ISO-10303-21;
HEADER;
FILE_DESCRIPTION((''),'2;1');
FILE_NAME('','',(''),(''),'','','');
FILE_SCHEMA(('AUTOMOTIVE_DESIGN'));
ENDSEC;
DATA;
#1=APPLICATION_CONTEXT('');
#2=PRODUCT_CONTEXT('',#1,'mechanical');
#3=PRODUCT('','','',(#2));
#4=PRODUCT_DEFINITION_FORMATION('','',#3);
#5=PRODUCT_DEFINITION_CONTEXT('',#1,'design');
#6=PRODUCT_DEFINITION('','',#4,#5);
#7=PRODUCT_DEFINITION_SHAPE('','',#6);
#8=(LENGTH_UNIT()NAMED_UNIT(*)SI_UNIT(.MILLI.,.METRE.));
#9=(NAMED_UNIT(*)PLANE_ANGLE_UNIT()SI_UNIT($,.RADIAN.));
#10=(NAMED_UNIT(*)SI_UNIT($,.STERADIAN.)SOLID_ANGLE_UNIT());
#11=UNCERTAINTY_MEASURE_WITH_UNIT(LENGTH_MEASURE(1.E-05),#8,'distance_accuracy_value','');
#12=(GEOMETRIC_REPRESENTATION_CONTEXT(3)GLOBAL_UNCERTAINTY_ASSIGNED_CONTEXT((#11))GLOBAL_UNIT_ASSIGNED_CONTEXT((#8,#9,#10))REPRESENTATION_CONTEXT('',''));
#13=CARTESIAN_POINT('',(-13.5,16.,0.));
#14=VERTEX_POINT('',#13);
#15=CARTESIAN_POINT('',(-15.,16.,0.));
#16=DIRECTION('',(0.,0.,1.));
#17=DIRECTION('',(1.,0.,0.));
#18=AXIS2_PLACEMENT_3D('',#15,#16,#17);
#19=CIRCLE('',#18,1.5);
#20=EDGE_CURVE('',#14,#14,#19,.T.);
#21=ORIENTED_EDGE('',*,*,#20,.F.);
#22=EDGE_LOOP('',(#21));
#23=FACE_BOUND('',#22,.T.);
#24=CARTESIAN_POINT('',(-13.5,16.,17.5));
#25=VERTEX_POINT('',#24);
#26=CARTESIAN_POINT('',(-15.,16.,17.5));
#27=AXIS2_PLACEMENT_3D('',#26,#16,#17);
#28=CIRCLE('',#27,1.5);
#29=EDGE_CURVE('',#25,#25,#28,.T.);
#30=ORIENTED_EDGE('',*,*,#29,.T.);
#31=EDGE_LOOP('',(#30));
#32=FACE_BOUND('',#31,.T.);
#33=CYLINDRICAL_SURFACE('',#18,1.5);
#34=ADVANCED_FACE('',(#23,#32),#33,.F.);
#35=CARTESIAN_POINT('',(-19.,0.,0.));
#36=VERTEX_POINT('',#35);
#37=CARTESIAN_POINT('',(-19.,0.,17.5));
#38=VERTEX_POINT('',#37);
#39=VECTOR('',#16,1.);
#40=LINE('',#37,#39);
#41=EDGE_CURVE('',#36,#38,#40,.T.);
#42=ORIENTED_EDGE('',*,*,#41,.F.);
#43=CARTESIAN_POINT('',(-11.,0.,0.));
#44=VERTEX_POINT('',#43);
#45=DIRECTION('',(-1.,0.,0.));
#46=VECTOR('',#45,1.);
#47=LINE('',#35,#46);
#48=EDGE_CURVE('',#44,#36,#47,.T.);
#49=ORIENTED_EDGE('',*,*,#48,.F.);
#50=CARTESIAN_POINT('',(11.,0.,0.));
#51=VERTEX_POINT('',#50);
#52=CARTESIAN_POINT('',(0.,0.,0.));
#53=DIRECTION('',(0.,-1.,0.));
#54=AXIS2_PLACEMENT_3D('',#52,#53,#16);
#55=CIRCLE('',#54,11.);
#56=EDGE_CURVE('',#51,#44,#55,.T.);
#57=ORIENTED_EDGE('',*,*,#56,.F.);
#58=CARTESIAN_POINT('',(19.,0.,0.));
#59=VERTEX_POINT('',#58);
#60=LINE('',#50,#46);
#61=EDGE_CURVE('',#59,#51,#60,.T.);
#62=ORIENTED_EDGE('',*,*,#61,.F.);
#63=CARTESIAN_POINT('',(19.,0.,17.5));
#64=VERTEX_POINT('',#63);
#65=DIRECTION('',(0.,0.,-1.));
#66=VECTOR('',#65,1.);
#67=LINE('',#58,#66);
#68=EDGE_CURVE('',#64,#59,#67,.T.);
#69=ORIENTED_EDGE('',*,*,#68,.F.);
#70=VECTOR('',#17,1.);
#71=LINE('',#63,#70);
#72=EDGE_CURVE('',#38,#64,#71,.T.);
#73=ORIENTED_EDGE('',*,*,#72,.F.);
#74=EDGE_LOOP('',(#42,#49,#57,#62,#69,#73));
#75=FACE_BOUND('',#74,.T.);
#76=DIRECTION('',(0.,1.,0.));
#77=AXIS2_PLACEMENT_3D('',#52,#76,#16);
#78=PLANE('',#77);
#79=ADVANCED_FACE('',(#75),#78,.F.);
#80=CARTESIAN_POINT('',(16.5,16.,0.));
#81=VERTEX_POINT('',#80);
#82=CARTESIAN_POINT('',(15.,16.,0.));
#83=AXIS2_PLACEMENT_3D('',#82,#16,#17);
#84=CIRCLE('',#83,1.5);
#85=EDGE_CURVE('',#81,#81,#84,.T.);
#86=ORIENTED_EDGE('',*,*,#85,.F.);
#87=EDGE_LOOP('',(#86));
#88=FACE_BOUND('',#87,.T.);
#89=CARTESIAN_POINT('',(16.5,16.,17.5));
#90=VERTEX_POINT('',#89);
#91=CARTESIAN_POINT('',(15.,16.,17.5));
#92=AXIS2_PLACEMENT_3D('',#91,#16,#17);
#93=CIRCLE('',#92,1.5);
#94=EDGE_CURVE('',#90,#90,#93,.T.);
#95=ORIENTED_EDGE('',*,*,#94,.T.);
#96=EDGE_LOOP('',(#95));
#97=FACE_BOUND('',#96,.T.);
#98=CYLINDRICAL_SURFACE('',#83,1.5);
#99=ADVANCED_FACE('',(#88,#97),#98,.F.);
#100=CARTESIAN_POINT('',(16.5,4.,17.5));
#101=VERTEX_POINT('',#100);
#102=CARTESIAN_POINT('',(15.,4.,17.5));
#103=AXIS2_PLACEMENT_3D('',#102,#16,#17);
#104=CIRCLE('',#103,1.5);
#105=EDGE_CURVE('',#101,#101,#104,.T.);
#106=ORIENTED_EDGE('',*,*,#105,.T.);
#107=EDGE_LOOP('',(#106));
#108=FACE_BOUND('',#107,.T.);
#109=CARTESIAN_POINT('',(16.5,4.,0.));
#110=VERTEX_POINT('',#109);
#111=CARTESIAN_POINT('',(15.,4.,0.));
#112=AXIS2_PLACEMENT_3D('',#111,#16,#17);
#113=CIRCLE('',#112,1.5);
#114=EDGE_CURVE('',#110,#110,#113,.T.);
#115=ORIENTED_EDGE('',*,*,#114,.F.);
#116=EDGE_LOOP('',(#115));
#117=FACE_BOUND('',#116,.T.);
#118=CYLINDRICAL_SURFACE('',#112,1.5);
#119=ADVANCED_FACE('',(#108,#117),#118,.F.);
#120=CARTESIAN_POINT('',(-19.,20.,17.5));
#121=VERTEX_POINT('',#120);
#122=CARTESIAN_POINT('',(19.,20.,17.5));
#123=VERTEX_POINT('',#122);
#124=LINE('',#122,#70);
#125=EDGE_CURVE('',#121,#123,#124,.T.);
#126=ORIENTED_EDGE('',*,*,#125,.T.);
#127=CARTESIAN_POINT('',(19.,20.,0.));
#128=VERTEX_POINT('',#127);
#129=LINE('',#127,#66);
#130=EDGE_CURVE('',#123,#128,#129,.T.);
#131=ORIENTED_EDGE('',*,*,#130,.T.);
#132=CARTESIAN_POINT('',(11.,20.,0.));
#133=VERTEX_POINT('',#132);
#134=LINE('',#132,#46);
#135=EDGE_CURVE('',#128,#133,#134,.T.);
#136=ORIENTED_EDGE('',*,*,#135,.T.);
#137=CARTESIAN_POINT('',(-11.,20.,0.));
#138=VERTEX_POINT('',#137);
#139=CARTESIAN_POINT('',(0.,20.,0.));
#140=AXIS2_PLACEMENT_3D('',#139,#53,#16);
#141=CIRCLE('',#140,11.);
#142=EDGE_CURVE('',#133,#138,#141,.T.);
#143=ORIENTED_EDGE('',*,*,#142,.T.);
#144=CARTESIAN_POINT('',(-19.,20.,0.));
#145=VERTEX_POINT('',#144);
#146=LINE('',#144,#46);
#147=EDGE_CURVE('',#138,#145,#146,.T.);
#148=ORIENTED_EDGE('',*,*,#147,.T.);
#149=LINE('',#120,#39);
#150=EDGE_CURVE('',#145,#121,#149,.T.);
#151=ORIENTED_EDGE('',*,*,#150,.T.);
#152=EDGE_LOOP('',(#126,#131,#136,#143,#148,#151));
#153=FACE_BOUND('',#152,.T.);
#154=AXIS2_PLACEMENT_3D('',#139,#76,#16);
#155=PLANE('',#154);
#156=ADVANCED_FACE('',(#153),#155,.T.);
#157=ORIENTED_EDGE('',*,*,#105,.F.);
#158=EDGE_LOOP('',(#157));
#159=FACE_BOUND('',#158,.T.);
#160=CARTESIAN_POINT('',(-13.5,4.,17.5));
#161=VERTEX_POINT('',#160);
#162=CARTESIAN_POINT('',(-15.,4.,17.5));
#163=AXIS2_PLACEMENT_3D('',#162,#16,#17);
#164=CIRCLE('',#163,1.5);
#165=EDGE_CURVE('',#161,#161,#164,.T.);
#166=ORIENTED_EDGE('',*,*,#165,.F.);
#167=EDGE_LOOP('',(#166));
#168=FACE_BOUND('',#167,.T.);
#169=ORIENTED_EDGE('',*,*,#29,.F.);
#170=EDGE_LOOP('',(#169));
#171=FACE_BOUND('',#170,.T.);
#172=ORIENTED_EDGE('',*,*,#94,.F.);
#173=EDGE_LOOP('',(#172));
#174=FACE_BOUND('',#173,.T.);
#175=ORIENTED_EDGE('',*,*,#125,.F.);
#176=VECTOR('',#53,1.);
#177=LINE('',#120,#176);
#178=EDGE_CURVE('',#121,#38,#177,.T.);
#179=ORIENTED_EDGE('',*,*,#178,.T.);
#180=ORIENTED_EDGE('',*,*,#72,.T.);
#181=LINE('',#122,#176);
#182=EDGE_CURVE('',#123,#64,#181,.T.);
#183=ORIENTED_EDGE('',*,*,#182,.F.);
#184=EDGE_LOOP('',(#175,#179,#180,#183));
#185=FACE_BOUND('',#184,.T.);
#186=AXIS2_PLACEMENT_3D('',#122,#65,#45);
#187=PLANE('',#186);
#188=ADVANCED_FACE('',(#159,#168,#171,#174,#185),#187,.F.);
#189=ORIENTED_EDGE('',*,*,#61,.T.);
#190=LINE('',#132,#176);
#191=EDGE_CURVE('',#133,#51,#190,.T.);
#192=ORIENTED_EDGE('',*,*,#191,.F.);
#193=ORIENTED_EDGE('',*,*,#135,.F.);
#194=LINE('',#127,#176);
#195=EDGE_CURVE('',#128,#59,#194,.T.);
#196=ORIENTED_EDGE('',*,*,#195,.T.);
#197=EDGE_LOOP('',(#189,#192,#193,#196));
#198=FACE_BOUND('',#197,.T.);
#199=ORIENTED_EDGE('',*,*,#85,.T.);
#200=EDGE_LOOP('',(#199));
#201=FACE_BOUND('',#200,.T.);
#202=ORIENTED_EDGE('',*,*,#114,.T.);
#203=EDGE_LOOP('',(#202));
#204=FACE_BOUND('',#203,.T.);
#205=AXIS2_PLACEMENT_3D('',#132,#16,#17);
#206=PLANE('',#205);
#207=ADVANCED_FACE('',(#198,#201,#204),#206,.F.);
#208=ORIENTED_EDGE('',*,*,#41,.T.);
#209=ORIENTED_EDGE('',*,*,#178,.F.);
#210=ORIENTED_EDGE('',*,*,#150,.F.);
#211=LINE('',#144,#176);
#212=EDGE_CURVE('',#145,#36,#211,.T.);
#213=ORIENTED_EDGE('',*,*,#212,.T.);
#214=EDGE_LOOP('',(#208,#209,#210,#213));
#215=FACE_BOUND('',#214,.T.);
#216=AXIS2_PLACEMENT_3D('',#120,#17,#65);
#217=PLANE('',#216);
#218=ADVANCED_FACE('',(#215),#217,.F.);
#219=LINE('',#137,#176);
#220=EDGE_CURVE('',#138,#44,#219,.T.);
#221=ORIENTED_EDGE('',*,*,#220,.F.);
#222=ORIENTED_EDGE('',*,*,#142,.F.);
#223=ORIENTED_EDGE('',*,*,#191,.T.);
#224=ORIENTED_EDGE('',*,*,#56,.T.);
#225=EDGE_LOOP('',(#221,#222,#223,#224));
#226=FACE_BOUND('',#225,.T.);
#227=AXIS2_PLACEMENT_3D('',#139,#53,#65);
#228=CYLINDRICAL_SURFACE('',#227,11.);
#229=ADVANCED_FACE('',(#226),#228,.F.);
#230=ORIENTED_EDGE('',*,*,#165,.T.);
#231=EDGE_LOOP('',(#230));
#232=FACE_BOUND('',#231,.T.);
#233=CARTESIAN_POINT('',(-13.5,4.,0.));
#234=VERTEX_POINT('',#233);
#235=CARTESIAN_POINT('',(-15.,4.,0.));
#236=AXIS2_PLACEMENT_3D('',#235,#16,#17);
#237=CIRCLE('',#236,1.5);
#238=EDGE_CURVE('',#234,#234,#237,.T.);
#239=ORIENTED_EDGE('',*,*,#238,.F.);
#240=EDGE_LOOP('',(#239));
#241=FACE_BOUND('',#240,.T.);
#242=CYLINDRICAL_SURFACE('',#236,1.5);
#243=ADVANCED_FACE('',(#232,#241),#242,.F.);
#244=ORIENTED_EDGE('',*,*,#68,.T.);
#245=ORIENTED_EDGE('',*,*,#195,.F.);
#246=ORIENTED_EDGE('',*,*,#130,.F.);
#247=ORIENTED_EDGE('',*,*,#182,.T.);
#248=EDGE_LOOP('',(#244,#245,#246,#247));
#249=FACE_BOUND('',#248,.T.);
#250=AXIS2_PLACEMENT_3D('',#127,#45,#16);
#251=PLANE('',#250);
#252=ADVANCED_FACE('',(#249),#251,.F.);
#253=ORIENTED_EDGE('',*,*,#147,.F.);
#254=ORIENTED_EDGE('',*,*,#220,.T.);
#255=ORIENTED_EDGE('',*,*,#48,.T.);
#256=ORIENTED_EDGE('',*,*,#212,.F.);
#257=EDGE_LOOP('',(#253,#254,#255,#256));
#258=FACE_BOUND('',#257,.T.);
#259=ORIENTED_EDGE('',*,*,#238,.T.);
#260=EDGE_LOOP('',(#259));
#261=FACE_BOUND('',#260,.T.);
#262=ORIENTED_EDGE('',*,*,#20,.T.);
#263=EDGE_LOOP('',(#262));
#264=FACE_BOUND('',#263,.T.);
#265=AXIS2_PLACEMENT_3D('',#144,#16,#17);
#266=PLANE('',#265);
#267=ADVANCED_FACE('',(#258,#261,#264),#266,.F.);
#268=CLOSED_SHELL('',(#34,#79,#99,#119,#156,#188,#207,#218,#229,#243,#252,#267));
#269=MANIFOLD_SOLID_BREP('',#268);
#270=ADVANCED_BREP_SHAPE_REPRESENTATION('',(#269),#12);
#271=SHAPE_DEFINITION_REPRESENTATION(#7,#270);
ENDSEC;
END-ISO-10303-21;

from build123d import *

# Parameters (mm, degrees)
SALIENTE_EXTRUIR1_DEPTH = 20
CROQUIS2_R              = 1.5
CORTAR_EXTRUIR1_DEPTH   = 18.5


with BuildPart() as part:
    # Croquis1 → Saliente-Extruir1 (new body)
    with BuildSketch(Plane(origin=(0, 0, 0), x_dir=(1, 0, 0), z_dir=(0, 1, 0))):
        with BuildLine():
            Line((-19, 0), (-11, 0))
            ThreePointArc((-11, 0), (0, -11), (11, 0))
            Line((11, 0), (19, 0))
            Line((19, 0), (19, -17.5))
            Line((19, -17.5), (-19, -17.5))
            Line((-19, -17.5), (-19, 0))
        make_face()
    extrude(amount=SALIENTE_EXTRUIR1_DEPTH)

    # Croquis2 → Cortar-Extruir1 (cut, through all)
    with BuildSketch(Plane.XY.offset(17.5)):
        with Locations((-15, 16)):
            Circle(CROQUIS2_R)
        with Locations((-15, 4)):
            Circle(CROQUIS2_R)
        with Locations((15, 4)):
            Circle(CROQUIS2_R)
        with Locations((15, 16)):
            Circle(CROQUIS2_R)
    extrude(amount=-CORTAR_EXTRUIR1_DEPTH, mode=Mode.SUBTRACT)


solid = part.part
